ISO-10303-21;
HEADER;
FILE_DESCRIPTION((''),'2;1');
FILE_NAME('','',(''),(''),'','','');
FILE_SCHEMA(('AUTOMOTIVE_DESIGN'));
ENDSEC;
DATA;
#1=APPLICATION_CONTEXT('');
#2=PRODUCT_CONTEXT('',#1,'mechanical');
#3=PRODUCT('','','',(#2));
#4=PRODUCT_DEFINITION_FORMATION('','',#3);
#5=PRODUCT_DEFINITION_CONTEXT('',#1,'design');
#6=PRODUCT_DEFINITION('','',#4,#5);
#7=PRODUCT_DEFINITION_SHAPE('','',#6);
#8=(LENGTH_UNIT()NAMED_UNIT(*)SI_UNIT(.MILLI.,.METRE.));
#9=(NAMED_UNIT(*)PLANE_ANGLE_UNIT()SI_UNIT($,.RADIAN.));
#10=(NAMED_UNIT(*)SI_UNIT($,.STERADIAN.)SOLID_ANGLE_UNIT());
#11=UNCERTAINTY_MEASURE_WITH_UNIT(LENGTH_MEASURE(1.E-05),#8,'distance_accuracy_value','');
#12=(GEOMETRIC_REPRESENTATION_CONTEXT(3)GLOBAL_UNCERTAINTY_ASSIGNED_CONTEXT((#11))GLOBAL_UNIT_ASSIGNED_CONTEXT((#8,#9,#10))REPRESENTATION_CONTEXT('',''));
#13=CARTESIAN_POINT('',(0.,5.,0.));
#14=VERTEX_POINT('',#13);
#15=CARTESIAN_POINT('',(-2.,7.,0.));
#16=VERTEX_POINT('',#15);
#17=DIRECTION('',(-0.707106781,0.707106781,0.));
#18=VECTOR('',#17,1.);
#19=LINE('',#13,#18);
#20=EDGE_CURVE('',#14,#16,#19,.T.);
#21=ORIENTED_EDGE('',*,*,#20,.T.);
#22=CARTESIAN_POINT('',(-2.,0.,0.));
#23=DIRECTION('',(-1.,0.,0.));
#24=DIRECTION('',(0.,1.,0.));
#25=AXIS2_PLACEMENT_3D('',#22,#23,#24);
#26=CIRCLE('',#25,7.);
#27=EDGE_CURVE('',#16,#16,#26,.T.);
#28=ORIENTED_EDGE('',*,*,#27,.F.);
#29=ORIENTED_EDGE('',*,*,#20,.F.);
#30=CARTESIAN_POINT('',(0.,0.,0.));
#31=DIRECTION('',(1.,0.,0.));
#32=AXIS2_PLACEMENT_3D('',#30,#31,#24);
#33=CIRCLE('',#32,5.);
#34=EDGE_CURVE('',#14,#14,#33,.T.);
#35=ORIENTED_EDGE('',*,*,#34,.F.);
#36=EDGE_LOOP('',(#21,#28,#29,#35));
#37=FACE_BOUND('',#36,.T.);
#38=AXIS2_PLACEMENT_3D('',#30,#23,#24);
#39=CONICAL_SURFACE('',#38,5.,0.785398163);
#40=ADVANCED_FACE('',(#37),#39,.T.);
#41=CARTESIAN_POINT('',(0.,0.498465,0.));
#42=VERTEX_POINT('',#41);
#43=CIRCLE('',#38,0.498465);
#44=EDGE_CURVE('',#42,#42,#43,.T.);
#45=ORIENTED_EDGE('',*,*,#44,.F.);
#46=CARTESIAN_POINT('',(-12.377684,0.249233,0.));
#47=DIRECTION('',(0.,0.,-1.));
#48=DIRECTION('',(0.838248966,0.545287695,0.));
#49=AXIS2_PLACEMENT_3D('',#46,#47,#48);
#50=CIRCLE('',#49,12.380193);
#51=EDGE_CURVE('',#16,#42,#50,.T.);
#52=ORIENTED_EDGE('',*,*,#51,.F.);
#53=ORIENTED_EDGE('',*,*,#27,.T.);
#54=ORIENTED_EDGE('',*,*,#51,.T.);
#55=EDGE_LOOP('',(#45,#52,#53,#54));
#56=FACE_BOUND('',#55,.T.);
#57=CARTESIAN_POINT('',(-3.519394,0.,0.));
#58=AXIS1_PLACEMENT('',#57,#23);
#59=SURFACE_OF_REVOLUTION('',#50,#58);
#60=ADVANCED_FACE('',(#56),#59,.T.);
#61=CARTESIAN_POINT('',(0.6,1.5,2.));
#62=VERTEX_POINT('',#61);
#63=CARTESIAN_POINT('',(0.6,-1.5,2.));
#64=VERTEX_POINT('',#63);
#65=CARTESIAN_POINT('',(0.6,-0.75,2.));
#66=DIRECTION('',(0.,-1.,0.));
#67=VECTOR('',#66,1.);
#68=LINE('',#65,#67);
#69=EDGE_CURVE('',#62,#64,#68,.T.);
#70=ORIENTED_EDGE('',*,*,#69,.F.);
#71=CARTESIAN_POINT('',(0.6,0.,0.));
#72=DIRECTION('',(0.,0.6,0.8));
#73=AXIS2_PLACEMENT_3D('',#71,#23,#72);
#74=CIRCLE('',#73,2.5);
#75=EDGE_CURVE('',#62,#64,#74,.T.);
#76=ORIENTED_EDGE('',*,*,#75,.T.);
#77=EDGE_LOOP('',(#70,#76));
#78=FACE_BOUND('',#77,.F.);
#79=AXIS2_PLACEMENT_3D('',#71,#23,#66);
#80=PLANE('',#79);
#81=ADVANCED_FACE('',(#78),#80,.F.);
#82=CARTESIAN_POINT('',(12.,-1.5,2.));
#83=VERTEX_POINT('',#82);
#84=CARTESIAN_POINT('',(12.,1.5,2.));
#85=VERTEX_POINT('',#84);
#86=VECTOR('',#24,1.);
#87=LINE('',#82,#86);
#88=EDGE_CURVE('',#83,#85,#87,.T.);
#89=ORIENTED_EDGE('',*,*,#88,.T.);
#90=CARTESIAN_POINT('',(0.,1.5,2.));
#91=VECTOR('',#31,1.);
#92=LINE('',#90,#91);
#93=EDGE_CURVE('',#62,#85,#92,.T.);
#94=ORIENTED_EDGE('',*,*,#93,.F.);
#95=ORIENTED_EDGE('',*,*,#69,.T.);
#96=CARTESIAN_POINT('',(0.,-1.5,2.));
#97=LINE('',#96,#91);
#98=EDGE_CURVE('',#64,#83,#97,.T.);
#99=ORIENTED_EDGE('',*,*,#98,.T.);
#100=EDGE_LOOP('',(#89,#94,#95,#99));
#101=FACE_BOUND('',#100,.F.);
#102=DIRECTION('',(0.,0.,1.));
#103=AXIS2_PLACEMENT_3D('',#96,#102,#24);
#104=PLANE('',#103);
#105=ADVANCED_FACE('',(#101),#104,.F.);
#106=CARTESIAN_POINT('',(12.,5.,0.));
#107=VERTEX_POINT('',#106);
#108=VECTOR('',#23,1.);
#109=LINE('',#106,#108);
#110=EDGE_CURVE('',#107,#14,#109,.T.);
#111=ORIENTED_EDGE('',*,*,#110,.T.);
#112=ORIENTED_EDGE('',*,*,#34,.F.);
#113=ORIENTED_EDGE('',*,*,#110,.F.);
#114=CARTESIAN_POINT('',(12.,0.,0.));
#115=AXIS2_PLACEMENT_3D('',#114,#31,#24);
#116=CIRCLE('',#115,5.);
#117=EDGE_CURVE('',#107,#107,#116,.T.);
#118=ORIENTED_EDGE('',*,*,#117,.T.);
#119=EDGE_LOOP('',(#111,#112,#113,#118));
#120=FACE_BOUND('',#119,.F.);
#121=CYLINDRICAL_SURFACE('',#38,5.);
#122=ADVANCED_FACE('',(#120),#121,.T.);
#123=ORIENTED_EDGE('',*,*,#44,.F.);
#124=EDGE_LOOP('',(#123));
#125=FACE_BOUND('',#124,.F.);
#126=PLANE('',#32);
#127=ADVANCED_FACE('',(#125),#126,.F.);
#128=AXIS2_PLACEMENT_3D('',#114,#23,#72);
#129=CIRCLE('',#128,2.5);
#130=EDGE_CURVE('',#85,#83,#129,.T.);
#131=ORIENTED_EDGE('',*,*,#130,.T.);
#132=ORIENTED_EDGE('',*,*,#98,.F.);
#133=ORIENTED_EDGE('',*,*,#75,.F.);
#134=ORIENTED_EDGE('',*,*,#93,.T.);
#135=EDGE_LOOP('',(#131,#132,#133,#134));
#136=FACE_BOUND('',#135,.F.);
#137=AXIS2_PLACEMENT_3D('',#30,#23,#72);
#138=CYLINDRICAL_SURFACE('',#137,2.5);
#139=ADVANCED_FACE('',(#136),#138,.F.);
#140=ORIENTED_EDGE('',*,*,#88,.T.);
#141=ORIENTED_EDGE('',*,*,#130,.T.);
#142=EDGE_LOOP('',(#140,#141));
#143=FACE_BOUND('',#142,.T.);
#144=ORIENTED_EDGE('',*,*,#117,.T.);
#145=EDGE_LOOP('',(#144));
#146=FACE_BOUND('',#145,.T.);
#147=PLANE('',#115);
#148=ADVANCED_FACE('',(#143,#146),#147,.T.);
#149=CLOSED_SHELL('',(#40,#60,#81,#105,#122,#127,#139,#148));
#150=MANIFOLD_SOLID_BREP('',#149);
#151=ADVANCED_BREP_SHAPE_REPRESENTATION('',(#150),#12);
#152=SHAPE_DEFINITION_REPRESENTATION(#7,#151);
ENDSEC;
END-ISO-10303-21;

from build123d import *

# Parameters (mm, degrees)
F0_R     = 5
F1_DEPTH = 12
F3_R     = 5
F4_DEPTH = 0.6


with BuildPart() as f1:
    # F0 (on Right) → F1 (new body)
    with BuildSketch(Plane.YZ):
        Circle(F0_R)
        with BuildLine():
            ThreePointArc((1.5, 2), (0, -2.5), (-1.5, 2))
            Line((-1.5, 2), (1.5, 2))
        make_face(mode=Mode.SUBTRACT)
    extrude(amount=F1_DEPTH)

    # F3 (on face) → F4 (join)
    with BuildSketch(Plane(origin=(0, 0, 0), x_dir=(0, -1, 0), z_dir=(-1, 0, 0))):
        Circle(F3_R)
    extrude(amount=-F4_DEPTH)

    # F2 (on Top) → F5 (revolve)
    with BuildSketch(Plane.XY):
        with BuildLine():
            Line((0, 0.498465), (0, 5))
            Line((0, 5), (-2, 7))
            ThreePointArc((-2, 7), (-0.544714, 3.889288), (0, 0.498465))
        make_face()
    revolve(axis=Axis((-3.519394, 0, 0), (-1, 0, 0)))


solid = f1.part
